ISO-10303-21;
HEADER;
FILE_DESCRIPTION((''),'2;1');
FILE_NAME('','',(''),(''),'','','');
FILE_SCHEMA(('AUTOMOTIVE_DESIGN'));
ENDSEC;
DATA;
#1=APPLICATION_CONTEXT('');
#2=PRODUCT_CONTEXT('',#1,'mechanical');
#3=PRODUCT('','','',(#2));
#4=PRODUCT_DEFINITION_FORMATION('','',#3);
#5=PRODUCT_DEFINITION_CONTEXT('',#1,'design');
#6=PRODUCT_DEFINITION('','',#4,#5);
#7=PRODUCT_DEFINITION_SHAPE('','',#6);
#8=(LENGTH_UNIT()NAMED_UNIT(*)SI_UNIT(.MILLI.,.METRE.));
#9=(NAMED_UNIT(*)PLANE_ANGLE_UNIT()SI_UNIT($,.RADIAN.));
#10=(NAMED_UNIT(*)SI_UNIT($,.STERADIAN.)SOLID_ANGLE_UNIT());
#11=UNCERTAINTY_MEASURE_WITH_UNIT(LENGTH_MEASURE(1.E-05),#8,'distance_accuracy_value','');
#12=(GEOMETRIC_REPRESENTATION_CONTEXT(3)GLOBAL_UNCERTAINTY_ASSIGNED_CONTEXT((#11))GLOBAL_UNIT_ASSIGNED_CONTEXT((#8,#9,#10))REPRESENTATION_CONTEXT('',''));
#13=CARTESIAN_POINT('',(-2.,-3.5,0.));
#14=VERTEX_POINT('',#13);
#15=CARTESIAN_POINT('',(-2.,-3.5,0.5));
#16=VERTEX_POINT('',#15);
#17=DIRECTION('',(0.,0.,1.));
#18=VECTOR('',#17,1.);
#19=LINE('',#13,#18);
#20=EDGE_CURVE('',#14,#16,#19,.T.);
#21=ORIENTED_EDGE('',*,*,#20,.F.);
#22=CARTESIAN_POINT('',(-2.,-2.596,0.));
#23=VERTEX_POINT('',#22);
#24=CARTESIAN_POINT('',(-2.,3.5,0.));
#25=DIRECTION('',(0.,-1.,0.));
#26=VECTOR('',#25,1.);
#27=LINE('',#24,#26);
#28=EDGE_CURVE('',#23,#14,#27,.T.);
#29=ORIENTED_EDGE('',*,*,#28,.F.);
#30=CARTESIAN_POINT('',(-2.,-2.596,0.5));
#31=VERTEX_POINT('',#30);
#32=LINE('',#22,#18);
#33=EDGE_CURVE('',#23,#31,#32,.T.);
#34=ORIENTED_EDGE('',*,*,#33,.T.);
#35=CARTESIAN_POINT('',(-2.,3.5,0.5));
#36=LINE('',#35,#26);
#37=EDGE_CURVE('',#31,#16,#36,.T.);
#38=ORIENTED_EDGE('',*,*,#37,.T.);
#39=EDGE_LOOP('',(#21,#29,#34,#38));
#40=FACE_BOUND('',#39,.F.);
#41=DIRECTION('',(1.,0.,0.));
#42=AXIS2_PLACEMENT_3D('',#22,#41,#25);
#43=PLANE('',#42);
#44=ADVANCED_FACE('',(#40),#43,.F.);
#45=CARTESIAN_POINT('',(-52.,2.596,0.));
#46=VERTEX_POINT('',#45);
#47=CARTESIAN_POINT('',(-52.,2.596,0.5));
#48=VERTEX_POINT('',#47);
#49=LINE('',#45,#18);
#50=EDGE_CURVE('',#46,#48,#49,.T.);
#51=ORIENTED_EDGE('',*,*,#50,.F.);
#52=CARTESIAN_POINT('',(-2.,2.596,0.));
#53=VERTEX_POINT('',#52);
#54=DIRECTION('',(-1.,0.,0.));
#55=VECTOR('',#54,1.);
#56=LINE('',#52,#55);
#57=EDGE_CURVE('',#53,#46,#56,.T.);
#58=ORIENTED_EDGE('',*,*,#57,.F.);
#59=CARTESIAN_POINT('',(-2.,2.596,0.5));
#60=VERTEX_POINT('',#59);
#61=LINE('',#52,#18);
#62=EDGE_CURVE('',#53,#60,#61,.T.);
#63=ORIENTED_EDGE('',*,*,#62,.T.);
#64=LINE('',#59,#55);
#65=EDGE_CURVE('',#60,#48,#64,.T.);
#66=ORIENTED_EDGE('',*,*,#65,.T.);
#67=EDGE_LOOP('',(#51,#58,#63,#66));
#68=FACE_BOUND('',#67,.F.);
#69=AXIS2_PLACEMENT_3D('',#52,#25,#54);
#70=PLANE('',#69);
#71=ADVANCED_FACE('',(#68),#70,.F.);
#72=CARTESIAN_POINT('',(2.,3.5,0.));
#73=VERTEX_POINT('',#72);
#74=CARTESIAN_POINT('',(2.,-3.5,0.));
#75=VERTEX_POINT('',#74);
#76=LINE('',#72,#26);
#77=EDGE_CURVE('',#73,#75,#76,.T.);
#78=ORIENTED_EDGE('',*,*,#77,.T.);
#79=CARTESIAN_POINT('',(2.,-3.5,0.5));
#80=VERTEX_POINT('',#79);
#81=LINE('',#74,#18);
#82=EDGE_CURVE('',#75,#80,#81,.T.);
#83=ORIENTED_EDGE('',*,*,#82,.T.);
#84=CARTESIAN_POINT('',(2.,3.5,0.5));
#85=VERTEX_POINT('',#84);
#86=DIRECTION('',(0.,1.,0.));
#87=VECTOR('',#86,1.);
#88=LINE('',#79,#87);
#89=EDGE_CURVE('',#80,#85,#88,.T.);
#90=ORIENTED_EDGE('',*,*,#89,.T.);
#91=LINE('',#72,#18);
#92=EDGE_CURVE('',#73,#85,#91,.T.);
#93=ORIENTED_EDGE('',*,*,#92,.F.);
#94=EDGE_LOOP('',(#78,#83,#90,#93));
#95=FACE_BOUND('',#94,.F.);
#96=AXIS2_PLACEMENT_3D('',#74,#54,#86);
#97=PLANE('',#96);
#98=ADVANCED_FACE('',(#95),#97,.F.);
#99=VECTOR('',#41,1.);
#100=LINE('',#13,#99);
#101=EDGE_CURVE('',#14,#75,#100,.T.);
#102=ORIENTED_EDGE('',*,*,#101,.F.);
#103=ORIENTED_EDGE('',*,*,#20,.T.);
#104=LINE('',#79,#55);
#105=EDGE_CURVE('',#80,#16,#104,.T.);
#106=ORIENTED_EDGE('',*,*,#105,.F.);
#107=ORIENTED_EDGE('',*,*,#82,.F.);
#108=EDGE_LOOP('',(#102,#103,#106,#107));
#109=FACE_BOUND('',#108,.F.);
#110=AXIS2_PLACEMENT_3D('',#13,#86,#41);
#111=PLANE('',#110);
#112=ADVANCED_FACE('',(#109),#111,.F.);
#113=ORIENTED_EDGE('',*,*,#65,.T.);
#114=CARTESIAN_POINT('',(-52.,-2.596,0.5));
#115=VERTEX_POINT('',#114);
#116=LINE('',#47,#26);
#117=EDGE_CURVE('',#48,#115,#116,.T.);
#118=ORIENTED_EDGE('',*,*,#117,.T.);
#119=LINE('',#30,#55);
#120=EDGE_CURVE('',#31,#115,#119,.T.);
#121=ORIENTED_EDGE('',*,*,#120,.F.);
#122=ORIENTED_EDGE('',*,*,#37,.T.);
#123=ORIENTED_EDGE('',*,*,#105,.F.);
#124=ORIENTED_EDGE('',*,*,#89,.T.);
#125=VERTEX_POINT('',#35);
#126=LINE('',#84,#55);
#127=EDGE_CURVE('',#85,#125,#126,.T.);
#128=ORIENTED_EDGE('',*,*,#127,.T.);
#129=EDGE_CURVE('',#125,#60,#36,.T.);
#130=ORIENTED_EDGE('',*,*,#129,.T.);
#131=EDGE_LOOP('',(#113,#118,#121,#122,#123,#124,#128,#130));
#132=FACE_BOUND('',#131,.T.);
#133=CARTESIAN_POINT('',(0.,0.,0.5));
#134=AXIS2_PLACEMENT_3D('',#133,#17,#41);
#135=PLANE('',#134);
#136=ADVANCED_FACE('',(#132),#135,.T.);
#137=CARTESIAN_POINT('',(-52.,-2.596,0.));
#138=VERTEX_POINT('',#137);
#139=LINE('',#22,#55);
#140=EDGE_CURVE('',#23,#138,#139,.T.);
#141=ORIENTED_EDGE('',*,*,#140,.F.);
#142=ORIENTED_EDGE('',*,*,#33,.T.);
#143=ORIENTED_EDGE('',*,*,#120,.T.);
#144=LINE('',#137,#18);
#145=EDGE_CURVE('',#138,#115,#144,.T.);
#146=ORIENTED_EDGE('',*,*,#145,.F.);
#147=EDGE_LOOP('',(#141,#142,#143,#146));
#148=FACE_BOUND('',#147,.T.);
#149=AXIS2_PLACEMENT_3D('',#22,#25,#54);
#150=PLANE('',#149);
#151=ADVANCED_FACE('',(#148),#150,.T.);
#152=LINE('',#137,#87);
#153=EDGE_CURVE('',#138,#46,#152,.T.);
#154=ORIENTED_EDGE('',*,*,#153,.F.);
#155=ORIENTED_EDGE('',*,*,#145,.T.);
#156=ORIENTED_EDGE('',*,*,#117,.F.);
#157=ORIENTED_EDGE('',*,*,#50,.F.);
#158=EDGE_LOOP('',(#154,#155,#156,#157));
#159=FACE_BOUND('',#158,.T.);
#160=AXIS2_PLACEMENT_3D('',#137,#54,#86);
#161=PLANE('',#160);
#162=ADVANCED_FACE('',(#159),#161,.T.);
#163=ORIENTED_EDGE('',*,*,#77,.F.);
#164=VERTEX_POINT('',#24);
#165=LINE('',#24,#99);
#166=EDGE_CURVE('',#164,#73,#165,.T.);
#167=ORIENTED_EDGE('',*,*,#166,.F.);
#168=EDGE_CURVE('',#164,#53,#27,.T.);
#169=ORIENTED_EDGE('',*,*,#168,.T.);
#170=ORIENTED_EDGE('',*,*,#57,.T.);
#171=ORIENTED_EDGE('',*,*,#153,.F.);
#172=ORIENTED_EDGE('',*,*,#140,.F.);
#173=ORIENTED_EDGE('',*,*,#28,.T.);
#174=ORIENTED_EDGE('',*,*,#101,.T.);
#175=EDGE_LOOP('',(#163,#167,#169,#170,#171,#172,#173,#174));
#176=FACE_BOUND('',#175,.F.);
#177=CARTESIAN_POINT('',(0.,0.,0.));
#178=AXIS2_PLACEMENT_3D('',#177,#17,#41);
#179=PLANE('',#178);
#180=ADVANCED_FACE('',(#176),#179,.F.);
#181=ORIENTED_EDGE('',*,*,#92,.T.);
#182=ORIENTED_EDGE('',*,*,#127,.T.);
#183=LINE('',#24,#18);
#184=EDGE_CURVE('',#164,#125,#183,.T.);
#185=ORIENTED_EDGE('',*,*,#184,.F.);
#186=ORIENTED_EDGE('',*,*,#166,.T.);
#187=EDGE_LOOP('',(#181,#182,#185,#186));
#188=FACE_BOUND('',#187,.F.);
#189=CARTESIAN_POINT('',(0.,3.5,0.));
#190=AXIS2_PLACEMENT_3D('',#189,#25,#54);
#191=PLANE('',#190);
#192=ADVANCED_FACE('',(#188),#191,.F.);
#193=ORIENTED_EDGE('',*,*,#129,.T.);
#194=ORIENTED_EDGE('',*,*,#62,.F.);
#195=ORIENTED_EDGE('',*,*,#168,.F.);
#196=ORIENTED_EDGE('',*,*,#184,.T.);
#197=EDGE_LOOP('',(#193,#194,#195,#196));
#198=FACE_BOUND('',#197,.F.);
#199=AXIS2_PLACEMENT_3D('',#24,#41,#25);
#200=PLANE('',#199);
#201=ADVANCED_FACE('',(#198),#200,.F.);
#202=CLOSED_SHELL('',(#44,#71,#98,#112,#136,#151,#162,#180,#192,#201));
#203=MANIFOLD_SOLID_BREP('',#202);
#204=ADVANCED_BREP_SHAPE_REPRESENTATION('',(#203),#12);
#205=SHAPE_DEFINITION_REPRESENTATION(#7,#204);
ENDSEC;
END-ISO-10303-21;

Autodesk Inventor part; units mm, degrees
ref_plane "YZ Plane" through (0, 0, 0) normal (1, 0, 0) x (0, 1, 0)
ref_plane "XZ Plane" through (0, 0, 0) normal (0, 1, 0) x (-1, 0, 0)
ref_plane "XY Plane" through (0, 0, 0) normal (0, 0, 1) x (1, 0, 0)
sketch "Esboço1" plane through (0, 0, 0) normal (0, 0, 1) x (1, 0, 0)
  line L0 (-2, -3.5) -> (2, -3.5)
  line L1 (2, -3.5) -> (2, 3.5)
  line L2 (2, 3.5) -> (-2, 3.5)
  line L3 (-2, 3.5) -> (-2, -3.5)
  line L4 (-2, -3.5) -> (2, 3.5) construction
  line L5 (2, -3.5) -> (-2, 3.5) construction
  line L6 (-2, -2.596) -> (-52, -2.596)
  line L7 (-52, -2.596) -> (-52, 0)
  line L8 (-7, 0) -> (14.596, 0)
  line L9 (-2, 2.596) -> (-52, 2.596)
  line L10 (-52, 2.596) -> (-52, 0)
  line L11 (0, 13.892) -> (0, -5.8963)
  point P0 (0, 0)
  point P1 (-2, 2.596)
  dimension "d3" = 4
  dimension "d4" = 7
  dimension "d5" = 50
extrude "Extrusão1" add sketch "Esboço1" along normal blind 0.5
properties part number "petg"
